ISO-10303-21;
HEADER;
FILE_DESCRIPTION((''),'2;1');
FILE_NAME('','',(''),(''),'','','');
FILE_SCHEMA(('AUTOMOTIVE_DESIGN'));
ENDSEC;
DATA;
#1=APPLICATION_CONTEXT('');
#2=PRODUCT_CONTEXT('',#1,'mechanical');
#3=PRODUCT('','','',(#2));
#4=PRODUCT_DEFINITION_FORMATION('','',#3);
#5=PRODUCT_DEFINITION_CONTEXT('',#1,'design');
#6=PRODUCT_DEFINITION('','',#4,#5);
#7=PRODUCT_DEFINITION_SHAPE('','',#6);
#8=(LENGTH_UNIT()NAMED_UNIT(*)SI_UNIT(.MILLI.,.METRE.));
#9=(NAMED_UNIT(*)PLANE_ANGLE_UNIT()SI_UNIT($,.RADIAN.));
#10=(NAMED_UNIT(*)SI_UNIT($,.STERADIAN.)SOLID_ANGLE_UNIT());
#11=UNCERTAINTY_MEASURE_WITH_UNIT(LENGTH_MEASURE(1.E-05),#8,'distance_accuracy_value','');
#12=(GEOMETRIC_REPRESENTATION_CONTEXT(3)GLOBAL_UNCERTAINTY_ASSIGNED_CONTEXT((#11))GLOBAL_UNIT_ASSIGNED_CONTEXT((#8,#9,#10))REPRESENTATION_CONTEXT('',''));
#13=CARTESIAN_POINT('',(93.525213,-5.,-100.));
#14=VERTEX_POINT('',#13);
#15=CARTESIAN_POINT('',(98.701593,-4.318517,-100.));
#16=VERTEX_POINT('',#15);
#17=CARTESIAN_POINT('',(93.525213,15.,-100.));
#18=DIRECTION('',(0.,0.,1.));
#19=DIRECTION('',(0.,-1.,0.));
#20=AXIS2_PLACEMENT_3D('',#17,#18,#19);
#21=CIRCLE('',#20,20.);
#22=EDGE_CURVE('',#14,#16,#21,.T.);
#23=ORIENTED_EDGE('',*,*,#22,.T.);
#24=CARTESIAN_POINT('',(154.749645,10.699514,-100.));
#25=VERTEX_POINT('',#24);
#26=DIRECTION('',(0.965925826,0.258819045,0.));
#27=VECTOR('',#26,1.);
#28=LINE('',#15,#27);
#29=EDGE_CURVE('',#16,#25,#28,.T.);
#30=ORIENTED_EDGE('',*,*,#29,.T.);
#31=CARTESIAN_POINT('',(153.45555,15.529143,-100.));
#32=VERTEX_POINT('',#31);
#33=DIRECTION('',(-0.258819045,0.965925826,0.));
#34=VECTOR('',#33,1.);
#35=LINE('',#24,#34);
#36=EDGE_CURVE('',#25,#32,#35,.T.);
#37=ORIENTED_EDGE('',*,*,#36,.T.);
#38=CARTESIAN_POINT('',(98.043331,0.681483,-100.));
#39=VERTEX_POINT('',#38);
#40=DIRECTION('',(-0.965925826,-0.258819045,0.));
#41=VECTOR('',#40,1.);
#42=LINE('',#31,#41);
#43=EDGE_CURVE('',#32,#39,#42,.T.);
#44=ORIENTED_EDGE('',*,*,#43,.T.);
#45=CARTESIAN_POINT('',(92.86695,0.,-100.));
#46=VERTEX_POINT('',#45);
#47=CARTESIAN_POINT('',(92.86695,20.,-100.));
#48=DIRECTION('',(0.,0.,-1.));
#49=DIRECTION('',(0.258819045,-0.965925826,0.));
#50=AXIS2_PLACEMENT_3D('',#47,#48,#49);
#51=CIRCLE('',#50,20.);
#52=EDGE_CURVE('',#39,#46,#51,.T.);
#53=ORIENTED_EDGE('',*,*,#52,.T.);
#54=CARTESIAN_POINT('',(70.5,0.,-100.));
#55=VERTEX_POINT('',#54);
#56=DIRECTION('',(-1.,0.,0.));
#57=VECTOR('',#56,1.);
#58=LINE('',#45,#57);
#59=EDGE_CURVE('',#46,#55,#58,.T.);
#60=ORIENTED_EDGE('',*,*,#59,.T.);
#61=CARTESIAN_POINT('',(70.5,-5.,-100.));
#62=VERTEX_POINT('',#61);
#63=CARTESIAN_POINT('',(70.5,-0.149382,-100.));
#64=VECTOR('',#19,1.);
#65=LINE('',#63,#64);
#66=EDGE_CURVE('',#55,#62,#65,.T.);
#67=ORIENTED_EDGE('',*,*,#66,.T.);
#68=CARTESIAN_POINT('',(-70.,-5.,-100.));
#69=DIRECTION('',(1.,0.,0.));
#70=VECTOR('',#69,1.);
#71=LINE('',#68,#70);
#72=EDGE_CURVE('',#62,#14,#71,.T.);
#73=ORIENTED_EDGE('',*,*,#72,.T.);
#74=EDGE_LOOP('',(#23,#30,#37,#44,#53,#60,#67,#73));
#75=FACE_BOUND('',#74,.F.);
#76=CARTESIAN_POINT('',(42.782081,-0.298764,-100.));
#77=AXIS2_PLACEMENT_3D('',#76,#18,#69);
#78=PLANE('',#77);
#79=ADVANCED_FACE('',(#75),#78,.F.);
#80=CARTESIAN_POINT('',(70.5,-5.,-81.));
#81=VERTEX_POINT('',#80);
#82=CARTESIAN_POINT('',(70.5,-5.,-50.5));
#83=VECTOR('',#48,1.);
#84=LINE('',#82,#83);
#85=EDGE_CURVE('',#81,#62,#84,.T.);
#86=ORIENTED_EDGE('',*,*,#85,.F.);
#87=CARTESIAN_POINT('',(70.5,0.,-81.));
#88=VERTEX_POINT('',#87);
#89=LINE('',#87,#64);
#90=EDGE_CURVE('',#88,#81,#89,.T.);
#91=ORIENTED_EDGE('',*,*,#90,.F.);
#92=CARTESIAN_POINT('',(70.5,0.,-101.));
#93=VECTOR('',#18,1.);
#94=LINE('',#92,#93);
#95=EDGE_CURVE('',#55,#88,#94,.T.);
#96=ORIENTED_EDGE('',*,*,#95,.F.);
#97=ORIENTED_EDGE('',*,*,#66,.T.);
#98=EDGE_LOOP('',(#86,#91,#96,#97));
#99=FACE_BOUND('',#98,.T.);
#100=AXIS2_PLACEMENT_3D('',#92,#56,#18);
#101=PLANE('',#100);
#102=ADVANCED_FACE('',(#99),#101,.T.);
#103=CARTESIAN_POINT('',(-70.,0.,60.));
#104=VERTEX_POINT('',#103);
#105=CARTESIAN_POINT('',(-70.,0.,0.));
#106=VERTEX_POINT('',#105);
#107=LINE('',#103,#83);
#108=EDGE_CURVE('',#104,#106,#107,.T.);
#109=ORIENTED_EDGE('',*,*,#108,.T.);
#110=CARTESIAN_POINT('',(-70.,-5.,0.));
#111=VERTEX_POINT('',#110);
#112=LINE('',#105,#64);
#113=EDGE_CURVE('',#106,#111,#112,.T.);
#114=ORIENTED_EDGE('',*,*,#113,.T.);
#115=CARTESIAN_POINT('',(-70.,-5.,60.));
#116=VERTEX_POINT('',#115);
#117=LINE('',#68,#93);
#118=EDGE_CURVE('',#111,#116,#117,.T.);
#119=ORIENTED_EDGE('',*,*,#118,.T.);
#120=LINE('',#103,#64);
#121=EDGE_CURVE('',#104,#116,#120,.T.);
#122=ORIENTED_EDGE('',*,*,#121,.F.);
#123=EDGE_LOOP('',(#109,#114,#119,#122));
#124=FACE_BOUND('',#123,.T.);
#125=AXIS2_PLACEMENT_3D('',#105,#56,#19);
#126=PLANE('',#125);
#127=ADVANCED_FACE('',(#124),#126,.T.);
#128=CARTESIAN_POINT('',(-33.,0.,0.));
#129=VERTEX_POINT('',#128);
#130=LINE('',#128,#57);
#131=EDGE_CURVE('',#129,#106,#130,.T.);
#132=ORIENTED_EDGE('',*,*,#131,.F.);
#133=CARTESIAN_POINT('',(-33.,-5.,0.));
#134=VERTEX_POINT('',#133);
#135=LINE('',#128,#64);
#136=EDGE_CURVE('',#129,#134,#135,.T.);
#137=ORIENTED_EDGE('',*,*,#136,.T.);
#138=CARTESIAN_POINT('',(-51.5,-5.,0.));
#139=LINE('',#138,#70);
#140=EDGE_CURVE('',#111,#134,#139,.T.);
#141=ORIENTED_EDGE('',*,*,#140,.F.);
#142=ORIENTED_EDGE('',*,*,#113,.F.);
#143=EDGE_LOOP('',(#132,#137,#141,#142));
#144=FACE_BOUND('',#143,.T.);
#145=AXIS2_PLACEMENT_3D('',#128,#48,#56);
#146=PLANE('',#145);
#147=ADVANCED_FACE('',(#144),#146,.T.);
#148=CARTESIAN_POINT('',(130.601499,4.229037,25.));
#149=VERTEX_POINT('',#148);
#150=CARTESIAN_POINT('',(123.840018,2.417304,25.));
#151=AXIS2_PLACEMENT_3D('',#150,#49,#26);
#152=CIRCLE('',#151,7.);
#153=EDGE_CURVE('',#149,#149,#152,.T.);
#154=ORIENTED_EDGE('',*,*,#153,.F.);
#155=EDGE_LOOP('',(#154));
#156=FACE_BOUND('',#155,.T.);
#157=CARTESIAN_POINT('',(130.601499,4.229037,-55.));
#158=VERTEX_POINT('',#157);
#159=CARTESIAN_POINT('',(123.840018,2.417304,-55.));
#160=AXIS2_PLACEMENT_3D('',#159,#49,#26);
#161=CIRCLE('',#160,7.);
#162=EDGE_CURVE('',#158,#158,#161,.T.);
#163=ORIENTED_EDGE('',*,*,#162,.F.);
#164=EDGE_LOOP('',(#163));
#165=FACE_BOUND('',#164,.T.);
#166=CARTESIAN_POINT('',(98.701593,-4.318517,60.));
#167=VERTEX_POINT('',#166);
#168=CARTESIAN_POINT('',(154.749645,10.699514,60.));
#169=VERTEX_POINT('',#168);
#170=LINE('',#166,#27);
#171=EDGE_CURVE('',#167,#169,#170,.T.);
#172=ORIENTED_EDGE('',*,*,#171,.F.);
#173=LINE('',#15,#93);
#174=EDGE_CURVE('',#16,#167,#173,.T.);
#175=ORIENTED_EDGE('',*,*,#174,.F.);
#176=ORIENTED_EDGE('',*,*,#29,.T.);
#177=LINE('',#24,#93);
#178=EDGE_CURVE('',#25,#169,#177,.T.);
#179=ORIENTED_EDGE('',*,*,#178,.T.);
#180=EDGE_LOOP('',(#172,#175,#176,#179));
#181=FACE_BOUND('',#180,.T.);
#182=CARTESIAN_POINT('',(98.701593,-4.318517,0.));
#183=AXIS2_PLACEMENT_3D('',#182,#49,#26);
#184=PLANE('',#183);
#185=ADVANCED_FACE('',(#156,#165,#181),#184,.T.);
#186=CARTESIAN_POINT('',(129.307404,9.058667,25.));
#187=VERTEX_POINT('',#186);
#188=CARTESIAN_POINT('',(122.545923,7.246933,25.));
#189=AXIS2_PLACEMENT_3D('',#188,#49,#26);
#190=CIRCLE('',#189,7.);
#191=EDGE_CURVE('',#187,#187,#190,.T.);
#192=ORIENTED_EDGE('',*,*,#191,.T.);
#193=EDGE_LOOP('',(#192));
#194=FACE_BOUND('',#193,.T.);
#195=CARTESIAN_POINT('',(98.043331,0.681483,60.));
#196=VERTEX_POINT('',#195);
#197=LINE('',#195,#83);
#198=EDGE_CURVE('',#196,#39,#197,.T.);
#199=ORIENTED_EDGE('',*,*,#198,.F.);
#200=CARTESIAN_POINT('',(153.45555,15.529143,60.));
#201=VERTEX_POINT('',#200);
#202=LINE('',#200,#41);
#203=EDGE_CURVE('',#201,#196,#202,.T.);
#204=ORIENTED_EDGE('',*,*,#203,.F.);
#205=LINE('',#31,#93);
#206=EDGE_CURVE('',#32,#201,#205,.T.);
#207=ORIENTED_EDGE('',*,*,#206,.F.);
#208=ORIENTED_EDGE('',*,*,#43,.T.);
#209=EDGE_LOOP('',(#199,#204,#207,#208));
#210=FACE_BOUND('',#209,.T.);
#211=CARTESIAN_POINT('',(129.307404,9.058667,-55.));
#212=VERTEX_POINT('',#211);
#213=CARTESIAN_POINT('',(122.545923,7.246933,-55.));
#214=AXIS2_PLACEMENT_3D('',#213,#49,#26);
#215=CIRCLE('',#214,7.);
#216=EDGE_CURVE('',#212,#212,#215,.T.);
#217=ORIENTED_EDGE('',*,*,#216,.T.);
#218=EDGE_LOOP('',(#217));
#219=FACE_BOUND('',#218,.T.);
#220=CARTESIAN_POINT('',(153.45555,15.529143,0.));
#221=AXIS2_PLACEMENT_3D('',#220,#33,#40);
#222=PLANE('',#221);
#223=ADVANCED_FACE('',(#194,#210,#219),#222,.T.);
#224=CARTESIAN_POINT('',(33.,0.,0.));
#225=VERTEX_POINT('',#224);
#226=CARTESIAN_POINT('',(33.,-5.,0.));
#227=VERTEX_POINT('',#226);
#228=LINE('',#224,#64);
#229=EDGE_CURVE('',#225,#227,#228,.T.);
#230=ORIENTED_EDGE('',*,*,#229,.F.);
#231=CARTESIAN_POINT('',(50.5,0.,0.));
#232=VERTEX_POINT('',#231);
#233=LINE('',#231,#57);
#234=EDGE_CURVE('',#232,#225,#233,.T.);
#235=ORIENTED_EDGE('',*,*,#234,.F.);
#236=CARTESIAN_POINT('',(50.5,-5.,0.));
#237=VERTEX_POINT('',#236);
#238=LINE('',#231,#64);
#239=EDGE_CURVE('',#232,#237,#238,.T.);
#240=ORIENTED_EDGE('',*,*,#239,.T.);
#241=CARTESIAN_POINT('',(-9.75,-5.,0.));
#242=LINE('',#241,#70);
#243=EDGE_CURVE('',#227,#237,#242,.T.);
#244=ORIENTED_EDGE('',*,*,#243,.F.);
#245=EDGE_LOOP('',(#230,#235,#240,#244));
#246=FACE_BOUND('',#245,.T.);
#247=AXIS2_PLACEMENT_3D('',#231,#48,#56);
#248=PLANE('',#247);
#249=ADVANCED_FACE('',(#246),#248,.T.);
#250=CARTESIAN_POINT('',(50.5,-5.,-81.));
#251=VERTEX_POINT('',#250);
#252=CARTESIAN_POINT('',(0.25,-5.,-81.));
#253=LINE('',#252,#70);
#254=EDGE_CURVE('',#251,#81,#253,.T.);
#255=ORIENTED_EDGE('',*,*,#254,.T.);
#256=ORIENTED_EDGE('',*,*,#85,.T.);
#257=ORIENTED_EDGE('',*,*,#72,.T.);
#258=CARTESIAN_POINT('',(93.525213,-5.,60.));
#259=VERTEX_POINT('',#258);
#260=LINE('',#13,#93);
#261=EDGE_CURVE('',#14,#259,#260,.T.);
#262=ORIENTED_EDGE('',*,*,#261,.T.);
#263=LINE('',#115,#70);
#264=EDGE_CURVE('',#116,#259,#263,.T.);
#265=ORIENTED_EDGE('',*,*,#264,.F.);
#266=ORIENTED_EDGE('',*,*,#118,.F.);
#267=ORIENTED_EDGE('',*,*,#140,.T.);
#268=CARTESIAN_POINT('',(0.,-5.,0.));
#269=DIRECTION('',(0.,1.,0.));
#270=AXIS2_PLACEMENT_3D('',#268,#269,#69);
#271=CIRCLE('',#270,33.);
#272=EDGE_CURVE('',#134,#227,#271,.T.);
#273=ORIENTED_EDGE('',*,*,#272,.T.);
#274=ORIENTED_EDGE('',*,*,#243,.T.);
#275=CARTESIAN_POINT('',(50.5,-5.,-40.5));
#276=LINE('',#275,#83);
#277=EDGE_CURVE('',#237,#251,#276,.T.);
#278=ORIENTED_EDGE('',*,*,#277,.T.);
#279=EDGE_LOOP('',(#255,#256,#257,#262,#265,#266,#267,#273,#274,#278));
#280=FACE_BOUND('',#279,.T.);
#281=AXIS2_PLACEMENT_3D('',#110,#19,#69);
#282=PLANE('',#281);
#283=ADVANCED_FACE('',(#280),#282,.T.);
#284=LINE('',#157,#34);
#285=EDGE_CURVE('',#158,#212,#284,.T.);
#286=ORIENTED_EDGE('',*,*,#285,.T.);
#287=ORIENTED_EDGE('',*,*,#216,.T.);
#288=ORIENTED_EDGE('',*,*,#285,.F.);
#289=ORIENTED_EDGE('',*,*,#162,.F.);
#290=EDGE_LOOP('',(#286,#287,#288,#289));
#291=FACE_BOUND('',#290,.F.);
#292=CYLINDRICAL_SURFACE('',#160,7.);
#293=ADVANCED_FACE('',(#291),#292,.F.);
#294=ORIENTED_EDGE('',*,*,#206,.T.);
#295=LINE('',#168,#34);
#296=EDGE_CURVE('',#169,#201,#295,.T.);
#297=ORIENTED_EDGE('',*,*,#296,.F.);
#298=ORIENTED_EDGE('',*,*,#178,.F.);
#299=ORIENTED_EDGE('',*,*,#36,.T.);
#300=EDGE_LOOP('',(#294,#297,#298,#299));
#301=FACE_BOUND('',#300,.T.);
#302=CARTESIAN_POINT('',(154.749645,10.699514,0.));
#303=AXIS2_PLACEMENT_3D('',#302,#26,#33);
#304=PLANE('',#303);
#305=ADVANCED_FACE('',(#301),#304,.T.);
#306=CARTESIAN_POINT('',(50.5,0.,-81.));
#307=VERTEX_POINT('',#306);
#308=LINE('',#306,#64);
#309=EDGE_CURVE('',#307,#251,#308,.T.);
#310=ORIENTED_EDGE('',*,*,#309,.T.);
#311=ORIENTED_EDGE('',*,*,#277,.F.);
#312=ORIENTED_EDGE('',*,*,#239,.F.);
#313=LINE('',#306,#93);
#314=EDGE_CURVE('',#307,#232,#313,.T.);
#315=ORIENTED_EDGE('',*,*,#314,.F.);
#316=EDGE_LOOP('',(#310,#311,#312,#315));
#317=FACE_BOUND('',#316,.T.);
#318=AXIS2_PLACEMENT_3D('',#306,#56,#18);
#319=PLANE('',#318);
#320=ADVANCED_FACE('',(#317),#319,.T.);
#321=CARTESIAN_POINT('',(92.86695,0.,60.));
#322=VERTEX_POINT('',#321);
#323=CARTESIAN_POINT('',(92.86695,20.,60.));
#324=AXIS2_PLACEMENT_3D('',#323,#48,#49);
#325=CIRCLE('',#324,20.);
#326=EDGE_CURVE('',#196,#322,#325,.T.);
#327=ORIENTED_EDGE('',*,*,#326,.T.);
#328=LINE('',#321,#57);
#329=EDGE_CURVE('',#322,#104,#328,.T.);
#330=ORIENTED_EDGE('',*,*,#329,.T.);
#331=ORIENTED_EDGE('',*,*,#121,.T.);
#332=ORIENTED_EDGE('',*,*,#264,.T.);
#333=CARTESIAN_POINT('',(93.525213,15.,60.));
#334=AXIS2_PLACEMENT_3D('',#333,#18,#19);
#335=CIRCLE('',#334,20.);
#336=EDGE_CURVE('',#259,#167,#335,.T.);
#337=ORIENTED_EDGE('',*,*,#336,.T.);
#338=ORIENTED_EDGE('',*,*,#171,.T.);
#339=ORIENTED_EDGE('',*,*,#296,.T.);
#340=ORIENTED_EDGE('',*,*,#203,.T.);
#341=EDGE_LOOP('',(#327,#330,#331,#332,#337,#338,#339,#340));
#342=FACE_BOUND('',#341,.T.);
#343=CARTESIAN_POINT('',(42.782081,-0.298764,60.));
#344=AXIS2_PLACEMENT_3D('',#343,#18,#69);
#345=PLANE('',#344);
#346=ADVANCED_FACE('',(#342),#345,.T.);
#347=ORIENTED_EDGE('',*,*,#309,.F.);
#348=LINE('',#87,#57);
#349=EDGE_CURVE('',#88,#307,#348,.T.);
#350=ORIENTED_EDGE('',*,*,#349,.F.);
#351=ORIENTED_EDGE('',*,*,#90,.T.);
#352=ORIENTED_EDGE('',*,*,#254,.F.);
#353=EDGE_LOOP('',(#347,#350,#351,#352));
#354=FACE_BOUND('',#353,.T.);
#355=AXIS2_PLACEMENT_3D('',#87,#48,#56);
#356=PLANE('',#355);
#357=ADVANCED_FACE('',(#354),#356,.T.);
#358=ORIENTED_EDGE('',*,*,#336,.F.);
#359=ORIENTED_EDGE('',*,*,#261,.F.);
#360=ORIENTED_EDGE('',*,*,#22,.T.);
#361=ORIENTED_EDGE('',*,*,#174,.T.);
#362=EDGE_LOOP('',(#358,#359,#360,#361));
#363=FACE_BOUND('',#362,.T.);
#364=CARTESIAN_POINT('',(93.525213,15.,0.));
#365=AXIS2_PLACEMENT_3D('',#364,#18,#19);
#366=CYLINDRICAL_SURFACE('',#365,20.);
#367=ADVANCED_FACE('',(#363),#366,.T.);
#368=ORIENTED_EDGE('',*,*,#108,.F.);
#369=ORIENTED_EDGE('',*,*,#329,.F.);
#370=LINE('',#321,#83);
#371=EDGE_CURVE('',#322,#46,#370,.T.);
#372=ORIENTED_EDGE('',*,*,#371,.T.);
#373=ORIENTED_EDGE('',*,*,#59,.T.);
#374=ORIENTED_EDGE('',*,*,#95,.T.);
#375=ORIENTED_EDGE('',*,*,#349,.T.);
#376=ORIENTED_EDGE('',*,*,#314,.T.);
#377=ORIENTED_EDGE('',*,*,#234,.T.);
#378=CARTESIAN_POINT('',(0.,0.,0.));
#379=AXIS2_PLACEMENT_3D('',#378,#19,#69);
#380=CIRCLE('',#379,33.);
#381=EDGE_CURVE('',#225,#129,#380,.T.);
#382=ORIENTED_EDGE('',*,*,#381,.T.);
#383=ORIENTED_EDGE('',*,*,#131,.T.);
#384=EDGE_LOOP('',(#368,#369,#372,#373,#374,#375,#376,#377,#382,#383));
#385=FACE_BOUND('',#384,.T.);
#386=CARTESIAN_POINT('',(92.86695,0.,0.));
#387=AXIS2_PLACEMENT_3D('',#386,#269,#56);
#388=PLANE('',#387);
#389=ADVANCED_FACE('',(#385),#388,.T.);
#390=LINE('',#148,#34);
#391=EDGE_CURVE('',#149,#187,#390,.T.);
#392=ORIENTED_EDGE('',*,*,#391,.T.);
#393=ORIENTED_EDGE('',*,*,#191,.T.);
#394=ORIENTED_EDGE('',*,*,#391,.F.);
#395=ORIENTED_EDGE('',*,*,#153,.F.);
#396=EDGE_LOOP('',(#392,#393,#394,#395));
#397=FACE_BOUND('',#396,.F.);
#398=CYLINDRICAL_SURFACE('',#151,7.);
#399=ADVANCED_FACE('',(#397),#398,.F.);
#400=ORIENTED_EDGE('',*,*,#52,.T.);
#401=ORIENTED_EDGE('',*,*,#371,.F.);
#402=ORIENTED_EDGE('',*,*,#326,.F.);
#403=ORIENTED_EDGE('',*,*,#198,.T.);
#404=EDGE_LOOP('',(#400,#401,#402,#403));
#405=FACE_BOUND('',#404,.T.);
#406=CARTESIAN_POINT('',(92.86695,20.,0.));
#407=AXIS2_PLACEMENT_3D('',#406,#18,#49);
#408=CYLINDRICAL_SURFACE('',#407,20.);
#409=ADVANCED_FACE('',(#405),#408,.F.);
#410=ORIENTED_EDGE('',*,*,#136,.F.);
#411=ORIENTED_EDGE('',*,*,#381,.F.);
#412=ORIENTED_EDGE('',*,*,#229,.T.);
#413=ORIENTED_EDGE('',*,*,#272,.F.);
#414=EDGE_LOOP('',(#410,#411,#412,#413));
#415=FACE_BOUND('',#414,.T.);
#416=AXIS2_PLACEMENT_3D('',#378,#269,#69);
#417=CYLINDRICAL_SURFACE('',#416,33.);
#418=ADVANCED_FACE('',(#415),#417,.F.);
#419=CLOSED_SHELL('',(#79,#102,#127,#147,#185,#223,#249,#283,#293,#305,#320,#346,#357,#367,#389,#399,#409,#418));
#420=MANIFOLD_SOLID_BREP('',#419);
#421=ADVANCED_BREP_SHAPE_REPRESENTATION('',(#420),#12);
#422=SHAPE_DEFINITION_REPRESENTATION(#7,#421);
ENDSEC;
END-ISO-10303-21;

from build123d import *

# Parameters (mm, degrees)
F1_DEPTH      = 60
F1_DEPTH_BACK = 100
F3_DEPTH      = 25
F4_R          = 7
F5_DEPTH      = 25


with BuildPart() as f1:
    # F0 (on Top) → F1 (new body, two sides)
    with BuildSketch(Plane.XY) as f1_sk:
        with BuildLine():
            Line((-70, 0), (-70, -5))
            Line((-70, -5), (93.5252125362, -5))
            ThreePointArc((93.5252125362, -5), (96.1357363806, -4.8288972275), (98.7015934382, -4.3185165258))
            Line((98.7015934382, -4.3185165258), (154.7496448029, 10.6995135747))
            Line((154.7496448029, 10.6995135747), (153.4555495773, 15.5291427062))
            Line((153.4555495773, 15.5291427062), (98.0433309503, 0.6814834742))
            ThreePointArc((98.0433309503, 0.6814834742), (95.4774738927, 0.1711027725), (92.8669500483, 0))
            Line((92.8669500483, 0), (-70, 0))
        make_face()
    extrude(amount=F1_DEPTH)
    extrude(f1_sk.sketch, amount=-F1_DEPTH_BACK)

    # F2 (on Front) → F3 (cut)
    with BuildSketch(Plane.XZ):
        with BuildLine():
            Line((50.5, 0), (33, 0))
            ThreePointArc((33, 0), (0, 33), (-33, 0))
            Line((-33, 0), (-70, 0))
            Line((-70, 0), (-70, -101))
            Line((-70, -101), (70.5, -101))
            Line((70.5, -101), (70.5, -81))
            Line((70.5, -81), (50.5, -81))
            Line((50.5, -81), (50.5, 0))
        make_face()
    extrude(amount=F3_DEPTH, mode=Mode.SUBTRACT)

    # F4 (on face) → F5 (cut)
    with BuildSketch(Plane(origin=(7.6913821948, -28.7046291314, 0), x_dir=(0.9659258263, 0.2588190451, 0), z_dir=(0.2588190451, -0.9659258263, 0))):
        with Locations((120.2459164106, 25)):
            Circle(F4_R)
        with Locations((120.2459164106, -55)):
            Circle(F4_R)
    extrude(amount=-F5_DEPTH, mode=Mode.SUBTRACT)


solid = f1.part
